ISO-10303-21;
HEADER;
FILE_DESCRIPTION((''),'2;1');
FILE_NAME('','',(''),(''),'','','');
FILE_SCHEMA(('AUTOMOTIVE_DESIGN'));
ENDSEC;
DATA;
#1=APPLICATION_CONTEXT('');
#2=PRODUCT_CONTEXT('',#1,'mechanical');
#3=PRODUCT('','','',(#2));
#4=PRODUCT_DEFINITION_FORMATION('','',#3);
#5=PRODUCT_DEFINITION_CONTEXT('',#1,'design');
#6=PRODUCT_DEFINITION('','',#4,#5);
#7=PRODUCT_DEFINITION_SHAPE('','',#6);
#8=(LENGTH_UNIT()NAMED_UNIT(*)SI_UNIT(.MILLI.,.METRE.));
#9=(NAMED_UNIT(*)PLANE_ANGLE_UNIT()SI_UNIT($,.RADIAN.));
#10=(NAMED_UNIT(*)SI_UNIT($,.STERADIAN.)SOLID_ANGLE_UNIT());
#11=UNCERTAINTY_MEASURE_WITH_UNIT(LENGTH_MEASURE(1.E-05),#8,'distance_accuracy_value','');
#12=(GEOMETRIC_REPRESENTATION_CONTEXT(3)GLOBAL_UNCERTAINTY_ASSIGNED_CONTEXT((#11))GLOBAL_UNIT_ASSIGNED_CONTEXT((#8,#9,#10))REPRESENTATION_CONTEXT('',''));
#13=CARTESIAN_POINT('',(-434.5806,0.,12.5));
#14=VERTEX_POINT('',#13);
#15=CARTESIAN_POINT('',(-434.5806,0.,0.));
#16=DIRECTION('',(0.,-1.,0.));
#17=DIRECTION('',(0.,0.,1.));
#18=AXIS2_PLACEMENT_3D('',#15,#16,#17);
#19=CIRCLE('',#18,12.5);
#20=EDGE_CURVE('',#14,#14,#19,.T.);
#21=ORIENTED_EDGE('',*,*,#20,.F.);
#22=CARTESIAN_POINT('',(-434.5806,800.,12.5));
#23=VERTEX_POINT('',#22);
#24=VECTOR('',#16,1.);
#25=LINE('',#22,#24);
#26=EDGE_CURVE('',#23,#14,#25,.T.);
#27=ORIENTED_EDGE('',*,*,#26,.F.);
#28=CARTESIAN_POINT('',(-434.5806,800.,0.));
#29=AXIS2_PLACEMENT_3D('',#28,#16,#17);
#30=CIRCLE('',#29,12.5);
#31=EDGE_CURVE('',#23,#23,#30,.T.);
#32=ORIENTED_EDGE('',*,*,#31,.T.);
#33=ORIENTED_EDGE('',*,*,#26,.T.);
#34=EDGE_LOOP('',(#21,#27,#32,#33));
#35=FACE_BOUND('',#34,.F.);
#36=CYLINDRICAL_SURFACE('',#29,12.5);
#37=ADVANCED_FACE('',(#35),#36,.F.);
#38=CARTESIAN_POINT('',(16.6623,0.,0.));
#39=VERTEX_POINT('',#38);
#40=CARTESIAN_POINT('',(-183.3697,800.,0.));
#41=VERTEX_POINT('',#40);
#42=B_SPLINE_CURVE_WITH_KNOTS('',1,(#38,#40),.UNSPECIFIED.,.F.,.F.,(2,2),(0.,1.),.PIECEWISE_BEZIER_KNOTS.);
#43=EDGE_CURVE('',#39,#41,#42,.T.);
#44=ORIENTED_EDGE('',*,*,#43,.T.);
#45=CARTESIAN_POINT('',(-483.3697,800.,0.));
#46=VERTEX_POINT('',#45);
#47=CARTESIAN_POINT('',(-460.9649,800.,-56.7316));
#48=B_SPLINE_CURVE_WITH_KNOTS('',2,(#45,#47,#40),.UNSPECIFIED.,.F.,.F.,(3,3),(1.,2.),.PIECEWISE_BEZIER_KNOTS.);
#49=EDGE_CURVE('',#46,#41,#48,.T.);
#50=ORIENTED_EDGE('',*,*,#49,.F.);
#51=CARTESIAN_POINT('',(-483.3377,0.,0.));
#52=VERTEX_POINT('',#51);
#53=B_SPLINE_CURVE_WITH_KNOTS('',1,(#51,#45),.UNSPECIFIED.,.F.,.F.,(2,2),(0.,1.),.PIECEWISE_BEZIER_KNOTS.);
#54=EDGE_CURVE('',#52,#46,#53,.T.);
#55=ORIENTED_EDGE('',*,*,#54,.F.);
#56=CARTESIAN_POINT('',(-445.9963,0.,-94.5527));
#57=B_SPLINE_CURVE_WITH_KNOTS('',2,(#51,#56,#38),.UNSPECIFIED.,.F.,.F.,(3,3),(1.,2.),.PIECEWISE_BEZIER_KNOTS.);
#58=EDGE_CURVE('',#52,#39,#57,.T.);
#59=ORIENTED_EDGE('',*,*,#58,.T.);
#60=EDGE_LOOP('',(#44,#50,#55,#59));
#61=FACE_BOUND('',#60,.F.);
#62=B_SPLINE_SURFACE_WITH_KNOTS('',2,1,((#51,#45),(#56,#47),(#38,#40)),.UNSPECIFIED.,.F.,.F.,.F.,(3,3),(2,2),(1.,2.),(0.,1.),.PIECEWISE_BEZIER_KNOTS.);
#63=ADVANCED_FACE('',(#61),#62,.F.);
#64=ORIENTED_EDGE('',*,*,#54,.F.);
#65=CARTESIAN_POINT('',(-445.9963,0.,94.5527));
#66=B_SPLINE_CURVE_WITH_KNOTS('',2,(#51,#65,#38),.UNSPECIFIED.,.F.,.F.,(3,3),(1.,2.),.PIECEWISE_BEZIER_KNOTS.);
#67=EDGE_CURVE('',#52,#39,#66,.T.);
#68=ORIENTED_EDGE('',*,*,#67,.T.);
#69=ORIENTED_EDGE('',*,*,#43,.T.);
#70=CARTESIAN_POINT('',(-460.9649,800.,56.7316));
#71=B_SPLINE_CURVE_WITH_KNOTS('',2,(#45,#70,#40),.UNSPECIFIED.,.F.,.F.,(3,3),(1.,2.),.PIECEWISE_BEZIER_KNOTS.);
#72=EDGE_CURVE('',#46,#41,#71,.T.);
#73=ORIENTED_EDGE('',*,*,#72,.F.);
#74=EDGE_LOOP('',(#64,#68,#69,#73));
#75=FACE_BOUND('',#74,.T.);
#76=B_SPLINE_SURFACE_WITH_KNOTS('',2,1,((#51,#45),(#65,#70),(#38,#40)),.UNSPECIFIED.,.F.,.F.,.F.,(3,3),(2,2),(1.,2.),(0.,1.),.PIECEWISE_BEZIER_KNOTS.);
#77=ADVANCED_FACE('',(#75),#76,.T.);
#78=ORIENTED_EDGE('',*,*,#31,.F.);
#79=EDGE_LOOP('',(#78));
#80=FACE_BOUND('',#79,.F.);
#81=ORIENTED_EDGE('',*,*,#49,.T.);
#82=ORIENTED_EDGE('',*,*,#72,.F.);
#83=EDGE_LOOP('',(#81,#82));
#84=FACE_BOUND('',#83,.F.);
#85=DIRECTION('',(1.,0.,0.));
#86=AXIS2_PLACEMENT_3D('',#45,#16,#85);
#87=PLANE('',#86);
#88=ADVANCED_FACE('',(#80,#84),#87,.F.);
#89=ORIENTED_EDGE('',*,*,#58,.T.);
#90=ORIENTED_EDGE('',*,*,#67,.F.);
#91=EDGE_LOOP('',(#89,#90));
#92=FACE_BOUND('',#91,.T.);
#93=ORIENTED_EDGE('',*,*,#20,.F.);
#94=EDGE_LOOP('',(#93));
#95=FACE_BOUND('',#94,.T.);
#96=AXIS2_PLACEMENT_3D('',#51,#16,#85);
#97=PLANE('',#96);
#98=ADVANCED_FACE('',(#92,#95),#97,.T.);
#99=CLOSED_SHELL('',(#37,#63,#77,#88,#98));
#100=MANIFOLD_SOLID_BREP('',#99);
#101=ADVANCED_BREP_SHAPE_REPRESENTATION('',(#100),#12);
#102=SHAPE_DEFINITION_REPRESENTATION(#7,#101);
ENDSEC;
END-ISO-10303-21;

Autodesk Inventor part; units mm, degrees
ref_plane "YZ Plane" through (0, 0, 0) normal (1, 0, 0) x (0, 1, 0)
ref_plane "XY Plane" through (0, 0, 0) normal (0, 0, 1) x (1, 0, 0)
sketch "ground" plane through (0, 0, 0) normal (0, 1, 0) x (-1, 0, 0)
  line L0 (483.3377, 0) -> (445.9963, 94.5527) construction
  line L1 (445.9963, 94.5527) -> (-16.6623, 0) construction
  spline S0 degree 2 poles (483.3377, 0) (445.9963, 94.5527) (-16.6623, 0) knots 1 1 1 2 2 2
  line L2 (483.3377, 0) -> (-16.6623, 0)
  point P0 (0, 0)
  dimension "d0" = 500
  dimension "d21" = 100
  dimension "d22" = 68.45
ref_plane "Arbeitsebene1" through (0, 800, 0) normal (0, 1, 0) x (-1, 0, 0)
sketch "Skizze3" plane through (0, 800, 0) normal (0, 1, 0) x (-1, 0, 0)
  line L0 (483.3697, 0) -> (460.9649, 56.7316) construction
  line L1 (460.9649, 56.7316) -> (183.3697, 0) construction
  spline S0 degree 2 poles (483.3697, 0) (460.9649, 56.7316) (183.3697, 0) knots 1 1 1 2 2 2
  line L2 (483.3697, 0) -> (183.3697, 0)
  point P0 (0, 0)
  dimension "d27" = 300
  dimension "d28" = 100
  dimension "d29" = 68.45
sketch "Skizze5" plane through (0, 800, 0) normal (0, 1, 0) x (-1, 0, 0)
  circle A0 centre (434.5806, 0) radius 12.3812
  point P0 (0, 0)
loft "Erhebung2" add profiles "ground", "Skizze3"
mirror "Spiegeln2" about plane through (16.6623, 0, 0) normal (0, 0, -1) of "Erhebung2"
hole "Bohrung1" at (-434.5806, 800, 0) direction (0, -1, 0) diameter 25 end through all
properties part number "mb_sail"
